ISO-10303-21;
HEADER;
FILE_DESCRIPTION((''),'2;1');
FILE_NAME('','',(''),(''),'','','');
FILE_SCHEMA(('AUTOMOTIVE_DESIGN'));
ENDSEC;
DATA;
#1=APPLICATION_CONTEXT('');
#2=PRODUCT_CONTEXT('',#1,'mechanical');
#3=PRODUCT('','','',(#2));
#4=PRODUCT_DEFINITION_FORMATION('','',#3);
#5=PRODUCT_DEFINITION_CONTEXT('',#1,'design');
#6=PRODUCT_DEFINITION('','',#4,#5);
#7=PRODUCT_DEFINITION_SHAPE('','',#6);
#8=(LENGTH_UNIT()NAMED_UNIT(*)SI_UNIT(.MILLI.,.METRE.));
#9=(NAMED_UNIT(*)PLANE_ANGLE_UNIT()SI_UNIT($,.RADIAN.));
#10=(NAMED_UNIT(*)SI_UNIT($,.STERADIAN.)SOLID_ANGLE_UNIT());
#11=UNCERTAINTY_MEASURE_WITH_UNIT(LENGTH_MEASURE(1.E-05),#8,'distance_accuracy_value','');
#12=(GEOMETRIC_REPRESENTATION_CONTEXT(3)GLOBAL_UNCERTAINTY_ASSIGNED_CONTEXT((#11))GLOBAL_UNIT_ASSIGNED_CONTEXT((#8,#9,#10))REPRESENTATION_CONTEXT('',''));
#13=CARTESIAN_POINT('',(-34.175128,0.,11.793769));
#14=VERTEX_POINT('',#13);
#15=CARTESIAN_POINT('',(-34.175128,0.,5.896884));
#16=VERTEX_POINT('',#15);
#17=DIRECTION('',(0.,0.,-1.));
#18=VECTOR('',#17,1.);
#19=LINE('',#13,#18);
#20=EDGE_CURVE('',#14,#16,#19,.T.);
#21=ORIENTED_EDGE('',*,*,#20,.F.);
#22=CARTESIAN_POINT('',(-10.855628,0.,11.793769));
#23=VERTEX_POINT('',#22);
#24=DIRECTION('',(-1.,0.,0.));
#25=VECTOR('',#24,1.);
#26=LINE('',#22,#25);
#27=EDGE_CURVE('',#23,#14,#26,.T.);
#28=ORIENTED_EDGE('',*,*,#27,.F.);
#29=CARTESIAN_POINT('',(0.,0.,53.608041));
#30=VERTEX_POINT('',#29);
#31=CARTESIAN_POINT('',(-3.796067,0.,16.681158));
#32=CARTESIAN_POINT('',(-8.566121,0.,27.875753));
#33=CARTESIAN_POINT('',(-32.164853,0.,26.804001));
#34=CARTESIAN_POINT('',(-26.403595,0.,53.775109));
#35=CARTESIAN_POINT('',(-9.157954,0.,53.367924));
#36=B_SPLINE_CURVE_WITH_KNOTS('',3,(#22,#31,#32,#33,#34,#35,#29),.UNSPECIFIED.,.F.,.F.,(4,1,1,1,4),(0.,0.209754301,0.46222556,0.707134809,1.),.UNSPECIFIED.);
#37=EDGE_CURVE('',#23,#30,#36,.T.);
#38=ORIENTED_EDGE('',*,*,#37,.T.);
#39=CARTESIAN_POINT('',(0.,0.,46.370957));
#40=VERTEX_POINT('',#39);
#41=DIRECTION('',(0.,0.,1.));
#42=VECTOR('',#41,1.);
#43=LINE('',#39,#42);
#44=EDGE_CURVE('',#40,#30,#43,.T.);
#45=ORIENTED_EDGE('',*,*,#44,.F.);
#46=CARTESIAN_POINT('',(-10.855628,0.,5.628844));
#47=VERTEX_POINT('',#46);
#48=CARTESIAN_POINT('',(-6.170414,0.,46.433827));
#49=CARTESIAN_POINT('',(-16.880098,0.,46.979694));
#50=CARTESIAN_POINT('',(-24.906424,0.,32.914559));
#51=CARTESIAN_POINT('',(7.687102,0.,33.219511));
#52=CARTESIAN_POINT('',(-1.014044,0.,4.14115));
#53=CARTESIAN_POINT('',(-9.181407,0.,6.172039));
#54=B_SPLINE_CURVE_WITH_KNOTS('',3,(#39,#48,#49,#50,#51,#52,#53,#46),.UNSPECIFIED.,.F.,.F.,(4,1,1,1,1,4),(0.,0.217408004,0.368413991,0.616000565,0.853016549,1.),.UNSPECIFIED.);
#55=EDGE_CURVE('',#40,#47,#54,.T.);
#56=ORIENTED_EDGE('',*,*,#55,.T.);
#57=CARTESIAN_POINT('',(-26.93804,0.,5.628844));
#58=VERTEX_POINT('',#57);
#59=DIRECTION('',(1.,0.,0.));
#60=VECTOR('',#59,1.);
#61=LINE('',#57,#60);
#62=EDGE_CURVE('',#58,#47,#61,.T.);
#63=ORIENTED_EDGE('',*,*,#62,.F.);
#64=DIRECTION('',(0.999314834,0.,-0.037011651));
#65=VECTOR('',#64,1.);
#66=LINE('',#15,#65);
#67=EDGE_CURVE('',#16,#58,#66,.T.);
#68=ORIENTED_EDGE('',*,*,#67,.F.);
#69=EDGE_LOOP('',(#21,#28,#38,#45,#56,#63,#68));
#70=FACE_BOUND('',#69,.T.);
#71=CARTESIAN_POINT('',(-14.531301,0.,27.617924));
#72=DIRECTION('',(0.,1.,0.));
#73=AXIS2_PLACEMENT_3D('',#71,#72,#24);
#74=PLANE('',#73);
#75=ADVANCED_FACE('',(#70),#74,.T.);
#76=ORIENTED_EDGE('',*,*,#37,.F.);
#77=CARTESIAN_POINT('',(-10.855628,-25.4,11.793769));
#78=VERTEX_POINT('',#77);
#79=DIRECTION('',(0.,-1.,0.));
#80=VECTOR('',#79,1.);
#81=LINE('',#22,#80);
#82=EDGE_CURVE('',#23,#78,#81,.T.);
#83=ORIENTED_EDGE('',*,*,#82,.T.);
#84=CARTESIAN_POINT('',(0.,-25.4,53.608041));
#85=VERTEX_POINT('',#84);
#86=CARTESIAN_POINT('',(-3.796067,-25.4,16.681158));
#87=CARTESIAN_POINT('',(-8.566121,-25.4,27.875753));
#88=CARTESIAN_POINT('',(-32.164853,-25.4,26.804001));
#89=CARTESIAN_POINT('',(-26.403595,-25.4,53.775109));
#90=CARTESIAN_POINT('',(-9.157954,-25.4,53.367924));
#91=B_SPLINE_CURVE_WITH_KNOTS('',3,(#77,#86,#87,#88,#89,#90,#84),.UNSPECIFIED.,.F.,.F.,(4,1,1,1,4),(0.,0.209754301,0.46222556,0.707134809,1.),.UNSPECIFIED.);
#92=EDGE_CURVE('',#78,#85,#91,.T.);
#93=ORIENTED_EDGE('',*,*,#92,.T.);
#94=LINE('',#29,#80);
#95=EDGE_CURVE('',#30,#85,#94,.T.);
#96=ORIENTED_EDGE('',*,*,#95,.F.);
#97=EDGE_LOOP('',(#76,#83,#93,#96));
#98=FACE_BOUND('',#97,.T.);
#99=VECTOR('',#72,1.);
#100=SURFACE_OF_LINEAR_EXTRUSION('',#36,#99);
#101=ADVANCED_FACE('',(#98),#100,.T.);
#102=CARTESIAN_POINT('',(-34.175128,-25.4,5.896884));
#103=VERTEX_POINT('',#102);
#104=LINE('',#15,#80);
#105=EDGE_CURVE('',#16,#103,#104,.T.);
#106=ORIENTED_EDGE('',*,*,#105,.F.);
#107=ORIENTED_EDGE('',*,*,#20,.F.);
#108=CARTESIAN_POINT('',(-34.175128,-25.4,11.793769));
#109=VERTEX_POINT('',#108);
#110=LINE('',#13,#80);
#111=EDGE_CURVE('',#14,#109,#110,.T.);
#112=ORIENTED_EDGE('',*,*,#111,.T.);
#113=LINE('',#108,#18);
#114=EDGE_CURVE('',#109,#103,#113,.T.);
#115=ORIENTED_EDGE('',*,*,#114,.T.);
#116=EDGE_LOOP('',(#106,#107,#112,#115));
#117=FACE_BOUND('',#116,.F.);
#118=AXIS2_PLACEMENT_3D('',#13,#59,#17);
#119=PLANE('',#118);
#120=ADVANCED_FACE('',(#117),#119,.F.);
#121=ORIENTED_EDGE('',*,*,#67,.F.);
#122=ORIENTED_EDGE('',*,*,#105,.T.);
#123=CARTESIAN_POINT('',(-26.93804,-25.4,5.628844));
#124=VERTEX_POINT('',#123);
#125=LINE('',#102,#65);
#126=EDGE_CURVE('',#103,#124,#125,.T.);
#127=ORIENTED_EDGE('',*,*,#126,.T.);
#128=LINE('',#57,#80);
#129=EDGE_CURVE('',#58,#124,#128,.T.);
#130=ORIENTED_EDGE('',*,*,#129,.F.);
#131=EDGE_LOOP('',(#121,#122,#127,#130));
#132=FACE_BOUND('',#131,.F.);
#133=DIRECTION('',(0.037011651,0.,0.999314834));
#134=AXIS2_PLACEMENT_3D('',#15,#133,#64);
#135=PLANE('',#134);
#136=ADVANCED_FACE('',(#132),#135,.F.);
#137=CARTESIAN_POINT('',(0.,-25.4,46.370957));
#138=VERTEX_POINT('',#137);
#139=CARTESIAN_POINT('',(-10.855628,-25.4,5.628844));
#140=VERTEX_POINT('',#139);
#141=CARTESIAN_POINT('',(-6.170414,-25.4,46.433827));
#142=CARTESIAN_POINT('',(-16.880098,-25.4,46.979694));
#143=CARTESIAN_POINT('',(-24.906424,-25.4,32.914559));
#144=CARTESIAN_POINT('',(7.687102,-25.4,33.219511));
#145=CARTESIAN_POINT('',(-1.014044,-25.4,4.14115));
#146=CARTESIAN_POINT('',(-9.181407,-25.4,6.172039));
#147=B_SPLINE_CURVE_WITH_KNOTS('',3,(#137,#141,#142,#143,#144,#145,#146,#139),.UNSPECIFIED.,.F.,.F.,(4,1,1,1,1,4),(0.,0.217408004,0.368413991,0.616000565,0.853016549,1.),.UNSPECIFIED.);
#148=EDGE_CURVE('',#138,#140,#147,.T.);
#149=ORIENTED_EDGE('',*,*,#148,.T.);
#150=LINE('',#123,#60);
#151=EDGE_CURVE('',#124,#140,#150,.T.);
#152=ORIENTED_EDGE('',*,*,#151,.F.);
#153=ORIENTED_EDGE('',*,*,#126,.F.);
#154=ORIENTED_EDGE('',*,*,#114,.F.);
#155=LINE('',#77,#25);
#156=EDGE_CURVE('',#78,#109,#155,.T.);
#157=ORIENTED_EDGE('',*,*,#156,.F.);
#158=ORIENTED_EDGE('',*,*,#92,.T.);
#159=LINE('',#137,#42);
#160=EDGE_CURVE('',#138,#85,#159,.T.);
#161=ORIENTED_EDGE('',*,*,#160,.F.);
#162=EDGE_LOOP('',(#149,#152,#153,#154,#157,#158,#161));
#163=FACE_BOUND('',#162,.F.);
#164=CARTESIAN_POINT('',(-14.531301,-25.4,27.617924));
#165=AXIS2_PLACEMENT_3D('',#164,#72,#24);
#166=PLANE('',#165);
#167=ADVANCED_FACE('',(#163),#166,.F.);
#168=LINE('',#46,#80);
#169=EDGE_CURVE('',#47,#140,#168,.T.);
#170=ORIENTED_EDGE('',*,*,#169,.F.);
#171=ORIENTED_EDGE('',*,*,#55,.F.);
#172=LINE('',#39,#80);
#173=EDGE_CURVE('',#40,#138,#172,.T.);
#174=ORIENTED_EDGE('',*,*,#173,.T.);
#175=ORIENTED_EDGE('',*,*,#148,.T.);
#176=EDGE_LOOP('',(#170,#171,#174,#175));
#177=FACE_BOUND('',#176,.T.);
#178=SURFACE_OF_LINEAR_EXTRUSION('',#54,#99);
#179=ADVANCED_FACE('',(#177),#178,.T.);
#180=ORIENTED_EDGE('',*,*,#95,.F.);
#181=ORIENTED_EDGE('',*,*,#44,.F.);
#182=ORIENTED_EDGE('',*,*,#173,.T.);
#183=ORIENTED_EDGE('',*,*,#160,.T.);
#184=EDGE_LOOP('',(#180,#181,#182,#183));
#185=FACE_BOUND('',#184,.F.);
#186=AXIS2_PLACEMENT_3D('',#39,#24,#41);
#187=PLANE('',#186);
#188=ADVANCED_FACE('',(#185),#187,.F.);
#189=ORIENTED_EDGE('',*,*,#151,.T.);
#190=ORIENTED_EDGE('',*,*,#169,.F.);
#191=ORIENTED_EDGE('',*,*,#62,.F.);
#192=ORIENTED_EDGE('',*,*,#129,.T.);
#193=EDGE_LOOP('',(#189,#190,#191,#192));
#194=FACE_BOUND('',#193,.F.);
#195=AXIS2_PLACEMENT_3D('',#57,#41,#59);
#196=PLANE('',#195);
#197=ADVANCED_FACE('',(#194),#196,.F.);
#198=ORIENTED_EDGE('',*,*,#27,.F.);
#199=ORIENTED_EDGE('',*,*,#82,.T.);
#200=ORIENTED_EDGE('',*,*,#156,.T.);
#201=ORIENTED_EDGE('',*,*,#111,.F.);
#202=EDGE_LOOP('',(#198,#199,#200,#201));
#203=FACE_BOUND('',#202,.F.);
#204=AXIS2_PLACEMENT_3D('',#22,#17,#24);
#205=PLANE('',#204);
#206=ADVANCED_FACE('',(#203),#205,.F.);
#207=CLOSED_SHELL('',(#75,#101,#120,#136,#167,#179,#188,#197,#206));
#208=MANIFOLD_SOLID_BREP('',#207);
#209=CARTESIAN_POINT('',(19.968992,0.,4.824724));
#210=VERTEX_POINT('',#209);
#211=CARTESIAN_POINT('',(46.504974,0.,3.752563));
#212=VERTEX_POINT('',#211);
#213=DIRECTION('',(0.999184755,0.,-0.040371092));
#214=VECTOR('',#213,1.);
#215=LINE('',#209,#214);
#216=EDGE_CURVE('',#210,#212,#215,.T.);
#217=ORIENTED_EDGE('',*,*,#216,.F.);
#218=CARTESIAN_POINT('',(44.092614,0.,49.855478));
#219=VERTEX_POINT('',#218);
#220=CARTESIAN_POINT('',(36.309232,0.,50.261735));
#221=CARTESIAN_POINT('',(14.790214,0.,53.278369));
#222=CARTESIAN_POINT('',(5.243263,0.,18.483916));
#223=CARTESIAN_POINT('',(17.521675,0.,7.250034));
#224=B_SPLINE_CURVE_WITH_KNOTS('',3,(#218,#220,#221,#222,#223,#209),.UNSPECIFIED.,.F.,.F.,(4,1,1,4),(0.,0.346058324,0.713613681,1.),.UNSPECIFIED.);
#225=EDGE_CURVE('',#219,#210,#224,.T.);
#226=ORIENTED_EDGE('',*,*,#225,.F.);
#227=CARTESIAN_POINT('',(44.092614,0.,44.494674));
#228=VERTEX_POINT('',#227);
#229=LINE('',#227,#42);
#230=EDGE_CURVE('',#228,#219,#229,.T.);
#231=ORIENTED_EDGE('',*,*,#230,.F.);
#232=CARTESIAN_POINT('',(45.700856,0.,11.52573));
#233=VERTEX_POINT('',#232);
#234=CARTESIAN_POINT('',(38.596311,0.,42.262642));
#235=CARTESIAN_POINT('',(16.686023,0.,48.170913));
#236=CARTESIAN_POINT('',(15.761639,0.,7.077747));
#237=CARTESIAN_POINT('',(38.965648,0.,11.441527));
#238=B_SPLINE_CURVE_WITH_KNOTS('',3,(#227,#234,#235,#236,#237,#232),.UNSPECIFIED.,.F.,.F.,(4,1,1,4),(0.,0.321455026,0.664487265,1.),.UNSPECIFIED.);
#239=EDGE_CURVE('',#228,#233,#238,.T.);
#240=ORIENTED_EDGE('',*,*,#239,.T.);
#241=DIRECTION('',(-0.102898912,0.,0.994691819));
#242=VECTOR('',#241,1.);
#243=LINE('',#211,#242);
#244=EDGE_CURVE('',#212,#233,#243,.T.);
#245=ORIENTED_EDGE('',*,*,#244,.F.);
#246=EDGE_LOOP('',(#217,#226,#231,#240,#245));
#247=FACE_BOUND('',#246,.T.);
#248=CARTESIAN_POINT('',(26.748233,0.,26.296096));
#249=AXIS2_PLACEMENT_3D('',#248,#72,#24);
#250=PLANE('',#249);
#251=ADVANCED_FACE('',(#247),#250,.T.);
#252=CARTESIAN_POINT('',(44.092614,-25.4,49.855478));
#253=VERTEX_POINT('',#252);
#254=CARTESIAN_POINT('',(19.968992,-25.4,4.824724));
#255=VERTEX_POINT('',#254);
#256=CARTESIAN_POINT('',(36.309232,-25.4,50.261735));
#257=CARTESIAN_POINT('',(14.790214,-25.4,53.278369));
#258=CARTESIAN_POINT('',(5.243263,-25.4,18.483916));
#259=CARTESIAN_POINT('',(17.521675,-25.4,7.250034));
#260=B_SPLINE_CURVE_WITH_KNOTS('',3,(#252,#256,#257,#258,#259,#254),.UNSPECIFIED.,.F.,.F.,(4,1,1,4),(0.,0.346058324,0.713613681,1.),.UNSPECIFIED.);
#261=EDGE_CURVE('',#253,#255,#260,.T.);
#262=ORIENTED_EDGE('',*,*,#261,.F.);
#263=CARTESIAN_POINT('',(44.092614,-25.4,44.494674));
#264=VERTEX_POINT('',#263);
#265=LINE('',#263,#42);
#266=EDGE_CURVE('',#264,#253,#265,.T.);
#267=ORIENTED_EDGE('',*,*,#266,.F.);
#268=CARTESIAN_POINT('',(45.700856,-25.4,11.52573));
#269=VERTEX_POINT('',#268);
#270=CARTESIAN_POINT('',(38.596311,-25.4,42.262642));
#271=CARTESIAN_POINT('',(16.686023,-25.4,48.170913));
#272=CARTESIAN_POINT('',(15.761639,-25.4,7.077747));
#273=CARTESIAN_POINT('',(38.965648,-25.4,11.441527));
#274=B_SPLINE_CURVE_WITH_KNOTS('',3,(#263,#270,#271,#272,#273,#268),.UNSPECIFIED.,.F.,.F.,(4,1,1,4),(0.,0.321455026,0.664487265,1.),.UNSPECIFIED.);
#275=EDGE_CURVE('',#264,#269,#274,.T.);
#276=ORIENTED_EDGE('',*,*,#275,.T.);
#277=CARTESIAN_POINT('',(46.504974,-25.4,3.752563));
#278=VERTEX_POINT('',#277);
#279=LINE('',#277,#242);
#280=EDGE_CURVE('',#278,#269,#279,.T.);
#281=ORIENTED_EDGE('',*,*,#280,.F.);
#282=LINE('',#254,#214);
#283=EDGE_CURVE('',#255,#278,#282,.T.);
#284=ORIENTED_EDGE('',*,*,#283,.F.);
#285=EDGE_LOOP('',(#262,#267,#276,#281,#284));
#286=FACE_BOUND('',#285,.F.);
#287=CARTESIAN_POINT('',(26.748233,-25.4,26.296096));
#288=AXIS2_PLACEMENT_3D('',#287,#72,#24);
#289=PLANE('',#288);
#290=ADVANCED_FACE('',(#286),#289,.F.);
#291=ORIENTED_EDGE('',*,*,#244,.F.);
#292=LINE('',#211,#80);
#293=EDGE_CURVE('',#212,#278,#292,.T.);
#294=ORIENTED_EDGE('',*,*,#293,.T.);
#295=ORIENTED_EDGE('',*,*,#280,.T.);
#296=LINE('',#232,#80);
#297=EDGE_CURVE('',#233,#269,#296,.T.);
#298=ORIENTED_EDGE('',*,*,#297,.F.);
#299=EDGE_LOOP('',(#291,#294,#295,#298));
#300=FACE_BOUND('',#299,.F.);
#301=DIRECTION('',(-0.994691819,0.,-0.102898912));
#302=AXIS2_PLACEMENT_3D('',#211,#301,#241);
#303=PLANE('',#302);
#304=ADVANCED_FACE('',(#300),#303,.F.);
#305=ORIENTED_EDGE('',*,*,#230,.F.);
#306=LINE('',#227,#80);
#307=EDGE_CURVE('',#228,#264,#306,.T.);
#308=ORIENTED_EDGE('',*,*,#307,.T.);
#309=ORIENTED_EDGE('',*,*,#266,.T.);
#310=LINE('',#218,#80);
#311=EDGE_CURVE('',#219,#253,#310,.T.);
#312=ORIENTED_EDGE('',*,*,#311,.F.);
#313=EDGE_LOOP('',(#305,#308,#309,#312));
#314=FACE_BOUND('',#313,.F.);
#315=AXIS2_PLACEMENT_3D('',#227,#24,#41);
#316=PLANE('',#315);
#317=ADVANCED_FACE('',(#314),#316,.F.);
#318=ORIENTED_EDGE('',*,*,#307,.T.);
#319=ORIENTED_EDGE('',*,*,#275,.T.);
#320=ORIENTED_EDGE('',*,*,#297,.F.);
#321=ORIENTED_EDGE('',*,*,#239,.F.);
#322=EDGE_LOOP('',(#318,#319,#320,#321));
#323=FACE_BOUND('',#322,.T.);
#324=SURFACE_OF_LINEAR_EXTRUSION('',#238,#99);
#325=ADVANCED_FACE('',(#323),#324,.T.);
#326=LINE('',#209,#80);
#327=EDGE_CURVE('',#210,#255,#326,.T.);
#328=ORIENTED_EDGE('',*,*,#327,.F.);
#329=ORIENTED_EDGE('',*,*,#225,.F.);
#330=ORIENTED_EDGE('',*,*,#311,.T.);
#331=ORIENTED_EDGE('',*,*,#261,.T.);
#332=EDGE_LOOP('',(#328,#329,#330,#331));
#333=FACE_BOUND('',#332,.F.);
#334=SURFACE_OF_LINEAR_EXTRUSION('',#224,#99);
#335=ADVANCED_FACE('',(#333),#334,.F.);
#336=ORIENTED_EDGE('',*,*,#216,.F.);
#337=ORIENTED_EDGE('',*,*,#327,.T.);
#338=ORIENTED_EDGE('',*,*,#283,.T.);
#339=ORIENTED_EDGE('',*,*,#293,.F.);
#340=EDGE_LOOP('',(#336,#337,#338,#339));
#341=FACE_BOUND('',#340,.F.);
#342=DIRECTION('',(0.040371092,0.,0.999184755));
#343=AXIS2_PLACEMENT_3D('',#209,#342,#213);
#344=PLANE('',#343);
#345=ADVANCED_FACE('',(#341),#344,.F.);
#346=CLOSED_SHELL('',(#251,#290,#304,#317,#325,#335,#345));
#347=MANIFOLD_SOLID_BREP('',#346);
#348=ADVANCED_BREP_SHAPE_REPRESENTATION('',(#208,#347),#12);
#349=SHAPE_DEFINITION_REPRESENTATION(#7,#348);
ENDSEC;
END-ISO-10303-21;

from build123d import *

# Parameters (mm, degrees)
F1_DEPTH = 25.4
F3_DEPTH = 25.4


with BuildPart() as f1:
    # F0 (on Front) → F1 (new body)
    with BuildSketch(Plane.XZ):
        with BuildLine():
            add(Edge.make_bspline(
                [(0, 46.3709570467), (-6.1704137796, 46.4338267672), (-16.880098013, 46.9796939573), (-24.9064240431, 32.914558963), (7.6871024421, 33.2195113159), (-1.0140436342, 4.1411499506), (-9.1814069554, 6.1720389553), (-10.8556281775, 5.6288442574)],
                knots=[0, 0, 0, 0, 0.2174080044, 0.3684139911, 0.6160005651, 0.8530165487, 1, 1, 1, 1], degree=3))
            Line((0, 46.3709570467), (0, 53.6080412567))
            add(Edge.make_bspline(
                [(-10.8556281775, 11.7937689647), (-3.796067061, 16.6811583734), (-8.5661210075, 27.8757531743), (-32.1648526785, 26.8040013399), (-26.4035945954, 53.7751090546), (-9.1579540297, 53.3679242262), (0, 53.6080412567)],
                knots=[0, 0, 0, 0, 0.2097543009, 0.4622255601, 0.7071348093, 1, 1, 1, 1], degree=3))
            Line((-10.8556281775, 11.7937689647), (-26.9380398095, 11.7937689647))
            Line((-26.9380398095, 11.7937689647), (-34.1751277447, 11.7937689647))
            Line((-34.1751277447, 11.7937689647), (-34.1751277447, 5.8968844824))
            Line((-34.1751277447, 5.8968844824), (-26.9380398095, 5.6288442574))
            Line((-26.9380398095, 5.6288442574), (-10.8556281775, 5.6288442574))
        make_face()
    extrude(amount=F1_DEPTH)


with BuildPart() as f3:
    # F2 (on Front) → F3 (new body)
    with BuildSketch(Plane.XZ):
        with BuildLine():
            add(Edge.make_bspline(
                [(44.0926142037, 44.4946736097), (38.5963105044, 42.2626423132), (16.6860225713, 48.170913261), (15.7616386718, 7.0777469726), (38.9656480147, 11.4415274382), (45.7008555532, 11.5257296711)],
                knots=[0, 0, 0, 0, 0.3214550257, 0.6644872651, 1, 1, 1, 1], degree=3))
            Line((44.0926142037, 44.4946736097), (44.0926142037, 49.8554781079))
            add(Edge.make_bspline(
                [(44.0926142037, 49.8554781079), (36.3092318839, 50.2617346323), (14.7902139993, 53.2783689014), (5.2432626211, 18.4839159713), (17.5216751274, 7.2500344641), (19.9689920992, 4.8247235827)],
                knots=[0, 0, 0, 0, 0.3460583244, 0.7136136814, 1, 1, 1, 1], degree=3))
            Line((19.9689920992, 4.8247235827), (46.5049743652, 3.7525629159))
            Line((46.5049743652, 3.7525629159), (45.7008555532, 11.5257296711))
        make_face()
    extrude(amount=F3_DEPTH)


solid = Compound([f1.part, f3.part])
